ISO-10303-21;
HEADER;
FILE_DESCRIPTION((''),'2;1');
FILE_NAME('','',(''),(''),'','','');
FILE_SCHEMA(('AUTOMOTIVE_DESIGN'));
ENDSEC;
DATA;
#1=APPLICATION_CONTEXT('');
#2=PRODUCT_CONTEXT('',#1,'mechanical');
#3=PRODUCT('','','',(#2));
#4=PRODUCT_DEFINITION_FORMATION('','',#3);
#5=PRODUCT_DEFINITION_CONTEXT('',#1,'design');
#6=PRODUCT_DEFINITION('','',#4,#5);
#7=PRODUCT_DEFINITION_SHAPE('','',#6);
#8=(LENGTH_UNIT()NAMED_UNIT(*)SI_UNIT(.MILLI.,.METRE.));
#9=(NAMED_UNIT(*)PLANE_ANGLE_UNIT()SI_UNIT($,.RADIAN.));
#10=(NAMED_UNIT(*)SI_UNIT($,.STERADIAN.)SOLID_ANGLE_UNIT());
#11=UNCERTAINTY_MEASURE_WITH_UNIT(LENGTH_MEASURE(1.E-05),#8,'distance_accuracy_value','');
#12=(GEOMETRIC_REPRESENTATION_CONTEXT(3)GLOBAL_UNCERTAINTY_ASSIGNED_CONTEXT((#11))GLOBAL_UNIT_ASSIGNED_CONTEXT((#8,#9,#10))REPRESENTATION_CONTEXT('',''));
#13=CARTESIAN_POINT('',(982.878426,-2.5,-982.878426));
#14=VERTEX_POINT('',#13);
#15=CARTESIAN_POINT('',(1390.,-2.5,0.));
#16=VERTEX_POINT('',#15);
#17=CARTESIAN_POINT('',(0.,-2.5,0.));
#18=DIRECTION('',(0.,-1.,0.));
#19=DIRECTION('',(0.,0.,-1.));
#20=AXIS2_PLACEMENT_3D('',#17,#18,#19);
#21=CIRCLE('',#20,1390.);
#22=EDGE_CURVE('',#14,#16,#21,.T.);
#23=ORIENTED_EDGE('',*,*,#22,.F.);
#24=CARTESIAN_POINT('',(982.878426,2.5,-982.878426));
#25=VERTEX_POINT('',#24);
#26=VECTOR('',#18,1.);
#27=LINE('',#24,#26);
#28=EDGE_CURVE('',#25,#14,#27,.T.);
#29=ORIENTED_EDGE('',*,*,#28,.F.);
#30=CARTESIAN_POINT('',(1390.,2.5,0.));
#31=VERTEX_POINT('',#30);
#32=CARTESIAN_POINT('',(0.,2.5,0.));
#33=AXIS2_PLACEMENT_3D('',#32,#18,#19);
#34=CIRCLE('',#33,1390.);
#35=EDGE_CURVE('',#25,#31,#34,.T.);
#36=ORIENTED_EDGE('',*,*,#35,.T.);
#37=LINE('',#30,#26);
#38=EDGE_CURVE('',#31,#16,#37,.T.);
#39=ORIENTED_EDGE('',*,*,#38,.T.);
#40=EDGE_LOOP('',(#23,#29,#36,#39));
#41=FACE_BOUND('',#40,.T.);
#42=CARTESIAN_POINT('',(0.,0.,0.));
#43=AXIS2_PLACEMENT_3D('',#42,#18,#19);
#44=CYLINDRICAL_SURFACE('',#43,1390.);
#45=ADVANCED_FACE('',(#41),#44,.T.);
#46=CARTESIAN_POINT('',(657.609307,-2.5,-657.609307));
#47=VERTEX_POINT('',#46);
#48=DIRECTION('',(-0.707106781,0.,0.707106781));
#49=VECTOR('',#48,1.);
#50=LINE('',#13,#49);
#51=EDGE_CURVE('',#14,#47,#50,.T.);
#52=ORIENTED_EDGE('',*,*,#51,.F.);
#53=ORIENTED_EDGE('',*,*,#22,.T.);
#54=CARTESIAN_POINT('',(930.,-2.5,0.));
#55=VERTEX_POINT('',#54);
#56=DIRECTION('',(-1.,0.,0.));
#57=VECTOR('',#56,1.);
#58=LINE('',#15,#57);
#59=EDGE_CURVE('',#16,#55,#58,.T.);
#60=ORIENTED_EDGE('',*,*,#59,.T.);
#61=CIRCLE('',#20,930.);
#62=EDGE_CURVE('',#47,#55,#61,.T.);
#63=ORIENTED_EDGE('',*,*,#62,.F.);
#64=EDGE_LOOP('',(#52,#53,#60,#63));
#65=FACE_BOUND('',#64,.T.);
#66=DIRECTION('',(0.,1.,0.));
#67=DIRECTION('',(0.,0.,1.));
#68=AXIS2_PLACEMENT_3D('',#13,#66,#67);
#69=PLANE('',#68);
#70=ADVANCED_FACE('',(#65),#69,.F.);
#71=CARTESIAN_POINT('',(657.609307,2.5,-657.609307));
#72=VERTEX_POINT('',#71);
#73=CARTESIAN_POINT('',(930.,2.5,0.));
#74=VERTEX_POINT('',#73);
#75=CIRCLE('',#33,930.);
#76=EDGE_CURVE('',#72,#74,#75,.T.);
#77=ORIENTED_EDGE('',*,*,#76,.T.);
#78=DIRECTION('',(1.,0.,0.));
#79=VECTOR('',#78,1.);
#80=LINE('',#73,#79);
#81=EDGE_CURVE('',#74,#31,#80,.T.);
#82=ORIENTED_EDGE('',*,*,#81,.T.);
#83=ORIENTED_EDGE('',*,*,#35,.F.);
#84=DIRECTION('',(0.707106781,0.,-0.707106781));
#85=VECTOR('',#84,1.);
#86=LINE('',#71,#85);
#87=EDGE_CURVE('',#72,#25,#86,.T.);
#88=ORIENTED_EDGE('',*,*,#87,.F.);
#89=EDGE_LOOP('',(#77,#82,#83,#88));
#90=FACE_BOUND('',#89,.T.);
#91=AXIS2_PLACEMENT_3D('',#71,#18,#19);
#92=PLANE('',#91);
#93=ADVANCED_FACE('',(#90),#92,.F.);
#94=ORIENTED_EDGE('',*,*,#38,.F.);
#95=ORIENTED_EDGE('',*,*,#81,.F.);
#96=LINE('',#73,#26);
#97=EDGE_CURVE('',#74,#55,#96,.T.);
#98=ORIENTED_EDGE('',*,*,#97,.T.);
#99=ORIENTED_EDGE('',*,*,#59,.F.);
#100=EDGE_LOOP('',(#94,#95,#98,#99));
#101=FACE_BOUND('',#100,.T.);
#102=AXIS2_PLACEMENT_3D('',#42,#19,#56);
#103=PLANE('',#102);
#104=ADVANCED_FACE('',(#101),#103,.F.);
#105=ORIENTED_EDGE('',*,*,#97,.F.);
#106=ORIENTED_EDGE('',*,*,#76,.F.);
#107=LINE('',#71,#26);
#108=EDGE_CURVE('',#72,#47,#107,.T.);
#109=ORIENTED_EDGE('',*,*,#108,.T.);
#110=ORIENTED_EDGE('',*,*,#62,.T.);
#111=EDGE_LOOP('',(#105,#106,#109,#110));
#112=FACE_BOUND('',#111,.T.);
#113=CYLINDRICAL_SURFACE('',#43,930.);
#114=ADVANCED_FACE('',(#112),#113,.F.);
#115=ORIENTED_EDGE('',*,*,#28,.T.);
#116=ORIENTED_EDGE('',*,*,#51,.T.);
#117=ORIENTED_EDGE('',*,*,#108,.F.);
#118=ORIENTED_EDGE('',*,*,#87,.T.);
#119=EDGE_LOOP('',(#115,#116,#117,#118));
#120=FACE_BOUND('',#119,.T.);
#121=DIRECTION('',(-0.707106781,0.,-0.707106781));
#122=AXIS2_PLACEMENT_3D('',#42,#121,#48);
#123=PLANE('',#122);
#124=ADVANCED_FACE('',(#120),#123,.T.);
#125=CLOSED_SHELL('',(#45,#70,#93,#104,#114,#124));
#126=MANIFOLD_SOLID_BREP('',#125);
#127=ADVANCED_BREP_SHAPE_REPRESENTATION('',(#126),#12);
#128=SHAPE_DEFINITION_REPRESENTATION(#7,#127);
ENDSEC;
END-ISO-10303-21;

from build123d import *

# Parameters (mm, degrees)
SKETCH2_W      = 460
SKETCH2_H      = 5
REVOLVE1_ANGLE = 45


with BuildPart() as part:
    # Sketch2 → Revolve1 (revolve)
    with BuildSketch(Plane.XY):
        with Locations((1160, 0)):
            Rectangle(SKETCH2_W, SKETCH2_H)
    revolve(axis=Axis((0, 0, 0), (0, 1, 0)), revolution_arc=REVOLVE1_ANGLE)


solid = part.part
